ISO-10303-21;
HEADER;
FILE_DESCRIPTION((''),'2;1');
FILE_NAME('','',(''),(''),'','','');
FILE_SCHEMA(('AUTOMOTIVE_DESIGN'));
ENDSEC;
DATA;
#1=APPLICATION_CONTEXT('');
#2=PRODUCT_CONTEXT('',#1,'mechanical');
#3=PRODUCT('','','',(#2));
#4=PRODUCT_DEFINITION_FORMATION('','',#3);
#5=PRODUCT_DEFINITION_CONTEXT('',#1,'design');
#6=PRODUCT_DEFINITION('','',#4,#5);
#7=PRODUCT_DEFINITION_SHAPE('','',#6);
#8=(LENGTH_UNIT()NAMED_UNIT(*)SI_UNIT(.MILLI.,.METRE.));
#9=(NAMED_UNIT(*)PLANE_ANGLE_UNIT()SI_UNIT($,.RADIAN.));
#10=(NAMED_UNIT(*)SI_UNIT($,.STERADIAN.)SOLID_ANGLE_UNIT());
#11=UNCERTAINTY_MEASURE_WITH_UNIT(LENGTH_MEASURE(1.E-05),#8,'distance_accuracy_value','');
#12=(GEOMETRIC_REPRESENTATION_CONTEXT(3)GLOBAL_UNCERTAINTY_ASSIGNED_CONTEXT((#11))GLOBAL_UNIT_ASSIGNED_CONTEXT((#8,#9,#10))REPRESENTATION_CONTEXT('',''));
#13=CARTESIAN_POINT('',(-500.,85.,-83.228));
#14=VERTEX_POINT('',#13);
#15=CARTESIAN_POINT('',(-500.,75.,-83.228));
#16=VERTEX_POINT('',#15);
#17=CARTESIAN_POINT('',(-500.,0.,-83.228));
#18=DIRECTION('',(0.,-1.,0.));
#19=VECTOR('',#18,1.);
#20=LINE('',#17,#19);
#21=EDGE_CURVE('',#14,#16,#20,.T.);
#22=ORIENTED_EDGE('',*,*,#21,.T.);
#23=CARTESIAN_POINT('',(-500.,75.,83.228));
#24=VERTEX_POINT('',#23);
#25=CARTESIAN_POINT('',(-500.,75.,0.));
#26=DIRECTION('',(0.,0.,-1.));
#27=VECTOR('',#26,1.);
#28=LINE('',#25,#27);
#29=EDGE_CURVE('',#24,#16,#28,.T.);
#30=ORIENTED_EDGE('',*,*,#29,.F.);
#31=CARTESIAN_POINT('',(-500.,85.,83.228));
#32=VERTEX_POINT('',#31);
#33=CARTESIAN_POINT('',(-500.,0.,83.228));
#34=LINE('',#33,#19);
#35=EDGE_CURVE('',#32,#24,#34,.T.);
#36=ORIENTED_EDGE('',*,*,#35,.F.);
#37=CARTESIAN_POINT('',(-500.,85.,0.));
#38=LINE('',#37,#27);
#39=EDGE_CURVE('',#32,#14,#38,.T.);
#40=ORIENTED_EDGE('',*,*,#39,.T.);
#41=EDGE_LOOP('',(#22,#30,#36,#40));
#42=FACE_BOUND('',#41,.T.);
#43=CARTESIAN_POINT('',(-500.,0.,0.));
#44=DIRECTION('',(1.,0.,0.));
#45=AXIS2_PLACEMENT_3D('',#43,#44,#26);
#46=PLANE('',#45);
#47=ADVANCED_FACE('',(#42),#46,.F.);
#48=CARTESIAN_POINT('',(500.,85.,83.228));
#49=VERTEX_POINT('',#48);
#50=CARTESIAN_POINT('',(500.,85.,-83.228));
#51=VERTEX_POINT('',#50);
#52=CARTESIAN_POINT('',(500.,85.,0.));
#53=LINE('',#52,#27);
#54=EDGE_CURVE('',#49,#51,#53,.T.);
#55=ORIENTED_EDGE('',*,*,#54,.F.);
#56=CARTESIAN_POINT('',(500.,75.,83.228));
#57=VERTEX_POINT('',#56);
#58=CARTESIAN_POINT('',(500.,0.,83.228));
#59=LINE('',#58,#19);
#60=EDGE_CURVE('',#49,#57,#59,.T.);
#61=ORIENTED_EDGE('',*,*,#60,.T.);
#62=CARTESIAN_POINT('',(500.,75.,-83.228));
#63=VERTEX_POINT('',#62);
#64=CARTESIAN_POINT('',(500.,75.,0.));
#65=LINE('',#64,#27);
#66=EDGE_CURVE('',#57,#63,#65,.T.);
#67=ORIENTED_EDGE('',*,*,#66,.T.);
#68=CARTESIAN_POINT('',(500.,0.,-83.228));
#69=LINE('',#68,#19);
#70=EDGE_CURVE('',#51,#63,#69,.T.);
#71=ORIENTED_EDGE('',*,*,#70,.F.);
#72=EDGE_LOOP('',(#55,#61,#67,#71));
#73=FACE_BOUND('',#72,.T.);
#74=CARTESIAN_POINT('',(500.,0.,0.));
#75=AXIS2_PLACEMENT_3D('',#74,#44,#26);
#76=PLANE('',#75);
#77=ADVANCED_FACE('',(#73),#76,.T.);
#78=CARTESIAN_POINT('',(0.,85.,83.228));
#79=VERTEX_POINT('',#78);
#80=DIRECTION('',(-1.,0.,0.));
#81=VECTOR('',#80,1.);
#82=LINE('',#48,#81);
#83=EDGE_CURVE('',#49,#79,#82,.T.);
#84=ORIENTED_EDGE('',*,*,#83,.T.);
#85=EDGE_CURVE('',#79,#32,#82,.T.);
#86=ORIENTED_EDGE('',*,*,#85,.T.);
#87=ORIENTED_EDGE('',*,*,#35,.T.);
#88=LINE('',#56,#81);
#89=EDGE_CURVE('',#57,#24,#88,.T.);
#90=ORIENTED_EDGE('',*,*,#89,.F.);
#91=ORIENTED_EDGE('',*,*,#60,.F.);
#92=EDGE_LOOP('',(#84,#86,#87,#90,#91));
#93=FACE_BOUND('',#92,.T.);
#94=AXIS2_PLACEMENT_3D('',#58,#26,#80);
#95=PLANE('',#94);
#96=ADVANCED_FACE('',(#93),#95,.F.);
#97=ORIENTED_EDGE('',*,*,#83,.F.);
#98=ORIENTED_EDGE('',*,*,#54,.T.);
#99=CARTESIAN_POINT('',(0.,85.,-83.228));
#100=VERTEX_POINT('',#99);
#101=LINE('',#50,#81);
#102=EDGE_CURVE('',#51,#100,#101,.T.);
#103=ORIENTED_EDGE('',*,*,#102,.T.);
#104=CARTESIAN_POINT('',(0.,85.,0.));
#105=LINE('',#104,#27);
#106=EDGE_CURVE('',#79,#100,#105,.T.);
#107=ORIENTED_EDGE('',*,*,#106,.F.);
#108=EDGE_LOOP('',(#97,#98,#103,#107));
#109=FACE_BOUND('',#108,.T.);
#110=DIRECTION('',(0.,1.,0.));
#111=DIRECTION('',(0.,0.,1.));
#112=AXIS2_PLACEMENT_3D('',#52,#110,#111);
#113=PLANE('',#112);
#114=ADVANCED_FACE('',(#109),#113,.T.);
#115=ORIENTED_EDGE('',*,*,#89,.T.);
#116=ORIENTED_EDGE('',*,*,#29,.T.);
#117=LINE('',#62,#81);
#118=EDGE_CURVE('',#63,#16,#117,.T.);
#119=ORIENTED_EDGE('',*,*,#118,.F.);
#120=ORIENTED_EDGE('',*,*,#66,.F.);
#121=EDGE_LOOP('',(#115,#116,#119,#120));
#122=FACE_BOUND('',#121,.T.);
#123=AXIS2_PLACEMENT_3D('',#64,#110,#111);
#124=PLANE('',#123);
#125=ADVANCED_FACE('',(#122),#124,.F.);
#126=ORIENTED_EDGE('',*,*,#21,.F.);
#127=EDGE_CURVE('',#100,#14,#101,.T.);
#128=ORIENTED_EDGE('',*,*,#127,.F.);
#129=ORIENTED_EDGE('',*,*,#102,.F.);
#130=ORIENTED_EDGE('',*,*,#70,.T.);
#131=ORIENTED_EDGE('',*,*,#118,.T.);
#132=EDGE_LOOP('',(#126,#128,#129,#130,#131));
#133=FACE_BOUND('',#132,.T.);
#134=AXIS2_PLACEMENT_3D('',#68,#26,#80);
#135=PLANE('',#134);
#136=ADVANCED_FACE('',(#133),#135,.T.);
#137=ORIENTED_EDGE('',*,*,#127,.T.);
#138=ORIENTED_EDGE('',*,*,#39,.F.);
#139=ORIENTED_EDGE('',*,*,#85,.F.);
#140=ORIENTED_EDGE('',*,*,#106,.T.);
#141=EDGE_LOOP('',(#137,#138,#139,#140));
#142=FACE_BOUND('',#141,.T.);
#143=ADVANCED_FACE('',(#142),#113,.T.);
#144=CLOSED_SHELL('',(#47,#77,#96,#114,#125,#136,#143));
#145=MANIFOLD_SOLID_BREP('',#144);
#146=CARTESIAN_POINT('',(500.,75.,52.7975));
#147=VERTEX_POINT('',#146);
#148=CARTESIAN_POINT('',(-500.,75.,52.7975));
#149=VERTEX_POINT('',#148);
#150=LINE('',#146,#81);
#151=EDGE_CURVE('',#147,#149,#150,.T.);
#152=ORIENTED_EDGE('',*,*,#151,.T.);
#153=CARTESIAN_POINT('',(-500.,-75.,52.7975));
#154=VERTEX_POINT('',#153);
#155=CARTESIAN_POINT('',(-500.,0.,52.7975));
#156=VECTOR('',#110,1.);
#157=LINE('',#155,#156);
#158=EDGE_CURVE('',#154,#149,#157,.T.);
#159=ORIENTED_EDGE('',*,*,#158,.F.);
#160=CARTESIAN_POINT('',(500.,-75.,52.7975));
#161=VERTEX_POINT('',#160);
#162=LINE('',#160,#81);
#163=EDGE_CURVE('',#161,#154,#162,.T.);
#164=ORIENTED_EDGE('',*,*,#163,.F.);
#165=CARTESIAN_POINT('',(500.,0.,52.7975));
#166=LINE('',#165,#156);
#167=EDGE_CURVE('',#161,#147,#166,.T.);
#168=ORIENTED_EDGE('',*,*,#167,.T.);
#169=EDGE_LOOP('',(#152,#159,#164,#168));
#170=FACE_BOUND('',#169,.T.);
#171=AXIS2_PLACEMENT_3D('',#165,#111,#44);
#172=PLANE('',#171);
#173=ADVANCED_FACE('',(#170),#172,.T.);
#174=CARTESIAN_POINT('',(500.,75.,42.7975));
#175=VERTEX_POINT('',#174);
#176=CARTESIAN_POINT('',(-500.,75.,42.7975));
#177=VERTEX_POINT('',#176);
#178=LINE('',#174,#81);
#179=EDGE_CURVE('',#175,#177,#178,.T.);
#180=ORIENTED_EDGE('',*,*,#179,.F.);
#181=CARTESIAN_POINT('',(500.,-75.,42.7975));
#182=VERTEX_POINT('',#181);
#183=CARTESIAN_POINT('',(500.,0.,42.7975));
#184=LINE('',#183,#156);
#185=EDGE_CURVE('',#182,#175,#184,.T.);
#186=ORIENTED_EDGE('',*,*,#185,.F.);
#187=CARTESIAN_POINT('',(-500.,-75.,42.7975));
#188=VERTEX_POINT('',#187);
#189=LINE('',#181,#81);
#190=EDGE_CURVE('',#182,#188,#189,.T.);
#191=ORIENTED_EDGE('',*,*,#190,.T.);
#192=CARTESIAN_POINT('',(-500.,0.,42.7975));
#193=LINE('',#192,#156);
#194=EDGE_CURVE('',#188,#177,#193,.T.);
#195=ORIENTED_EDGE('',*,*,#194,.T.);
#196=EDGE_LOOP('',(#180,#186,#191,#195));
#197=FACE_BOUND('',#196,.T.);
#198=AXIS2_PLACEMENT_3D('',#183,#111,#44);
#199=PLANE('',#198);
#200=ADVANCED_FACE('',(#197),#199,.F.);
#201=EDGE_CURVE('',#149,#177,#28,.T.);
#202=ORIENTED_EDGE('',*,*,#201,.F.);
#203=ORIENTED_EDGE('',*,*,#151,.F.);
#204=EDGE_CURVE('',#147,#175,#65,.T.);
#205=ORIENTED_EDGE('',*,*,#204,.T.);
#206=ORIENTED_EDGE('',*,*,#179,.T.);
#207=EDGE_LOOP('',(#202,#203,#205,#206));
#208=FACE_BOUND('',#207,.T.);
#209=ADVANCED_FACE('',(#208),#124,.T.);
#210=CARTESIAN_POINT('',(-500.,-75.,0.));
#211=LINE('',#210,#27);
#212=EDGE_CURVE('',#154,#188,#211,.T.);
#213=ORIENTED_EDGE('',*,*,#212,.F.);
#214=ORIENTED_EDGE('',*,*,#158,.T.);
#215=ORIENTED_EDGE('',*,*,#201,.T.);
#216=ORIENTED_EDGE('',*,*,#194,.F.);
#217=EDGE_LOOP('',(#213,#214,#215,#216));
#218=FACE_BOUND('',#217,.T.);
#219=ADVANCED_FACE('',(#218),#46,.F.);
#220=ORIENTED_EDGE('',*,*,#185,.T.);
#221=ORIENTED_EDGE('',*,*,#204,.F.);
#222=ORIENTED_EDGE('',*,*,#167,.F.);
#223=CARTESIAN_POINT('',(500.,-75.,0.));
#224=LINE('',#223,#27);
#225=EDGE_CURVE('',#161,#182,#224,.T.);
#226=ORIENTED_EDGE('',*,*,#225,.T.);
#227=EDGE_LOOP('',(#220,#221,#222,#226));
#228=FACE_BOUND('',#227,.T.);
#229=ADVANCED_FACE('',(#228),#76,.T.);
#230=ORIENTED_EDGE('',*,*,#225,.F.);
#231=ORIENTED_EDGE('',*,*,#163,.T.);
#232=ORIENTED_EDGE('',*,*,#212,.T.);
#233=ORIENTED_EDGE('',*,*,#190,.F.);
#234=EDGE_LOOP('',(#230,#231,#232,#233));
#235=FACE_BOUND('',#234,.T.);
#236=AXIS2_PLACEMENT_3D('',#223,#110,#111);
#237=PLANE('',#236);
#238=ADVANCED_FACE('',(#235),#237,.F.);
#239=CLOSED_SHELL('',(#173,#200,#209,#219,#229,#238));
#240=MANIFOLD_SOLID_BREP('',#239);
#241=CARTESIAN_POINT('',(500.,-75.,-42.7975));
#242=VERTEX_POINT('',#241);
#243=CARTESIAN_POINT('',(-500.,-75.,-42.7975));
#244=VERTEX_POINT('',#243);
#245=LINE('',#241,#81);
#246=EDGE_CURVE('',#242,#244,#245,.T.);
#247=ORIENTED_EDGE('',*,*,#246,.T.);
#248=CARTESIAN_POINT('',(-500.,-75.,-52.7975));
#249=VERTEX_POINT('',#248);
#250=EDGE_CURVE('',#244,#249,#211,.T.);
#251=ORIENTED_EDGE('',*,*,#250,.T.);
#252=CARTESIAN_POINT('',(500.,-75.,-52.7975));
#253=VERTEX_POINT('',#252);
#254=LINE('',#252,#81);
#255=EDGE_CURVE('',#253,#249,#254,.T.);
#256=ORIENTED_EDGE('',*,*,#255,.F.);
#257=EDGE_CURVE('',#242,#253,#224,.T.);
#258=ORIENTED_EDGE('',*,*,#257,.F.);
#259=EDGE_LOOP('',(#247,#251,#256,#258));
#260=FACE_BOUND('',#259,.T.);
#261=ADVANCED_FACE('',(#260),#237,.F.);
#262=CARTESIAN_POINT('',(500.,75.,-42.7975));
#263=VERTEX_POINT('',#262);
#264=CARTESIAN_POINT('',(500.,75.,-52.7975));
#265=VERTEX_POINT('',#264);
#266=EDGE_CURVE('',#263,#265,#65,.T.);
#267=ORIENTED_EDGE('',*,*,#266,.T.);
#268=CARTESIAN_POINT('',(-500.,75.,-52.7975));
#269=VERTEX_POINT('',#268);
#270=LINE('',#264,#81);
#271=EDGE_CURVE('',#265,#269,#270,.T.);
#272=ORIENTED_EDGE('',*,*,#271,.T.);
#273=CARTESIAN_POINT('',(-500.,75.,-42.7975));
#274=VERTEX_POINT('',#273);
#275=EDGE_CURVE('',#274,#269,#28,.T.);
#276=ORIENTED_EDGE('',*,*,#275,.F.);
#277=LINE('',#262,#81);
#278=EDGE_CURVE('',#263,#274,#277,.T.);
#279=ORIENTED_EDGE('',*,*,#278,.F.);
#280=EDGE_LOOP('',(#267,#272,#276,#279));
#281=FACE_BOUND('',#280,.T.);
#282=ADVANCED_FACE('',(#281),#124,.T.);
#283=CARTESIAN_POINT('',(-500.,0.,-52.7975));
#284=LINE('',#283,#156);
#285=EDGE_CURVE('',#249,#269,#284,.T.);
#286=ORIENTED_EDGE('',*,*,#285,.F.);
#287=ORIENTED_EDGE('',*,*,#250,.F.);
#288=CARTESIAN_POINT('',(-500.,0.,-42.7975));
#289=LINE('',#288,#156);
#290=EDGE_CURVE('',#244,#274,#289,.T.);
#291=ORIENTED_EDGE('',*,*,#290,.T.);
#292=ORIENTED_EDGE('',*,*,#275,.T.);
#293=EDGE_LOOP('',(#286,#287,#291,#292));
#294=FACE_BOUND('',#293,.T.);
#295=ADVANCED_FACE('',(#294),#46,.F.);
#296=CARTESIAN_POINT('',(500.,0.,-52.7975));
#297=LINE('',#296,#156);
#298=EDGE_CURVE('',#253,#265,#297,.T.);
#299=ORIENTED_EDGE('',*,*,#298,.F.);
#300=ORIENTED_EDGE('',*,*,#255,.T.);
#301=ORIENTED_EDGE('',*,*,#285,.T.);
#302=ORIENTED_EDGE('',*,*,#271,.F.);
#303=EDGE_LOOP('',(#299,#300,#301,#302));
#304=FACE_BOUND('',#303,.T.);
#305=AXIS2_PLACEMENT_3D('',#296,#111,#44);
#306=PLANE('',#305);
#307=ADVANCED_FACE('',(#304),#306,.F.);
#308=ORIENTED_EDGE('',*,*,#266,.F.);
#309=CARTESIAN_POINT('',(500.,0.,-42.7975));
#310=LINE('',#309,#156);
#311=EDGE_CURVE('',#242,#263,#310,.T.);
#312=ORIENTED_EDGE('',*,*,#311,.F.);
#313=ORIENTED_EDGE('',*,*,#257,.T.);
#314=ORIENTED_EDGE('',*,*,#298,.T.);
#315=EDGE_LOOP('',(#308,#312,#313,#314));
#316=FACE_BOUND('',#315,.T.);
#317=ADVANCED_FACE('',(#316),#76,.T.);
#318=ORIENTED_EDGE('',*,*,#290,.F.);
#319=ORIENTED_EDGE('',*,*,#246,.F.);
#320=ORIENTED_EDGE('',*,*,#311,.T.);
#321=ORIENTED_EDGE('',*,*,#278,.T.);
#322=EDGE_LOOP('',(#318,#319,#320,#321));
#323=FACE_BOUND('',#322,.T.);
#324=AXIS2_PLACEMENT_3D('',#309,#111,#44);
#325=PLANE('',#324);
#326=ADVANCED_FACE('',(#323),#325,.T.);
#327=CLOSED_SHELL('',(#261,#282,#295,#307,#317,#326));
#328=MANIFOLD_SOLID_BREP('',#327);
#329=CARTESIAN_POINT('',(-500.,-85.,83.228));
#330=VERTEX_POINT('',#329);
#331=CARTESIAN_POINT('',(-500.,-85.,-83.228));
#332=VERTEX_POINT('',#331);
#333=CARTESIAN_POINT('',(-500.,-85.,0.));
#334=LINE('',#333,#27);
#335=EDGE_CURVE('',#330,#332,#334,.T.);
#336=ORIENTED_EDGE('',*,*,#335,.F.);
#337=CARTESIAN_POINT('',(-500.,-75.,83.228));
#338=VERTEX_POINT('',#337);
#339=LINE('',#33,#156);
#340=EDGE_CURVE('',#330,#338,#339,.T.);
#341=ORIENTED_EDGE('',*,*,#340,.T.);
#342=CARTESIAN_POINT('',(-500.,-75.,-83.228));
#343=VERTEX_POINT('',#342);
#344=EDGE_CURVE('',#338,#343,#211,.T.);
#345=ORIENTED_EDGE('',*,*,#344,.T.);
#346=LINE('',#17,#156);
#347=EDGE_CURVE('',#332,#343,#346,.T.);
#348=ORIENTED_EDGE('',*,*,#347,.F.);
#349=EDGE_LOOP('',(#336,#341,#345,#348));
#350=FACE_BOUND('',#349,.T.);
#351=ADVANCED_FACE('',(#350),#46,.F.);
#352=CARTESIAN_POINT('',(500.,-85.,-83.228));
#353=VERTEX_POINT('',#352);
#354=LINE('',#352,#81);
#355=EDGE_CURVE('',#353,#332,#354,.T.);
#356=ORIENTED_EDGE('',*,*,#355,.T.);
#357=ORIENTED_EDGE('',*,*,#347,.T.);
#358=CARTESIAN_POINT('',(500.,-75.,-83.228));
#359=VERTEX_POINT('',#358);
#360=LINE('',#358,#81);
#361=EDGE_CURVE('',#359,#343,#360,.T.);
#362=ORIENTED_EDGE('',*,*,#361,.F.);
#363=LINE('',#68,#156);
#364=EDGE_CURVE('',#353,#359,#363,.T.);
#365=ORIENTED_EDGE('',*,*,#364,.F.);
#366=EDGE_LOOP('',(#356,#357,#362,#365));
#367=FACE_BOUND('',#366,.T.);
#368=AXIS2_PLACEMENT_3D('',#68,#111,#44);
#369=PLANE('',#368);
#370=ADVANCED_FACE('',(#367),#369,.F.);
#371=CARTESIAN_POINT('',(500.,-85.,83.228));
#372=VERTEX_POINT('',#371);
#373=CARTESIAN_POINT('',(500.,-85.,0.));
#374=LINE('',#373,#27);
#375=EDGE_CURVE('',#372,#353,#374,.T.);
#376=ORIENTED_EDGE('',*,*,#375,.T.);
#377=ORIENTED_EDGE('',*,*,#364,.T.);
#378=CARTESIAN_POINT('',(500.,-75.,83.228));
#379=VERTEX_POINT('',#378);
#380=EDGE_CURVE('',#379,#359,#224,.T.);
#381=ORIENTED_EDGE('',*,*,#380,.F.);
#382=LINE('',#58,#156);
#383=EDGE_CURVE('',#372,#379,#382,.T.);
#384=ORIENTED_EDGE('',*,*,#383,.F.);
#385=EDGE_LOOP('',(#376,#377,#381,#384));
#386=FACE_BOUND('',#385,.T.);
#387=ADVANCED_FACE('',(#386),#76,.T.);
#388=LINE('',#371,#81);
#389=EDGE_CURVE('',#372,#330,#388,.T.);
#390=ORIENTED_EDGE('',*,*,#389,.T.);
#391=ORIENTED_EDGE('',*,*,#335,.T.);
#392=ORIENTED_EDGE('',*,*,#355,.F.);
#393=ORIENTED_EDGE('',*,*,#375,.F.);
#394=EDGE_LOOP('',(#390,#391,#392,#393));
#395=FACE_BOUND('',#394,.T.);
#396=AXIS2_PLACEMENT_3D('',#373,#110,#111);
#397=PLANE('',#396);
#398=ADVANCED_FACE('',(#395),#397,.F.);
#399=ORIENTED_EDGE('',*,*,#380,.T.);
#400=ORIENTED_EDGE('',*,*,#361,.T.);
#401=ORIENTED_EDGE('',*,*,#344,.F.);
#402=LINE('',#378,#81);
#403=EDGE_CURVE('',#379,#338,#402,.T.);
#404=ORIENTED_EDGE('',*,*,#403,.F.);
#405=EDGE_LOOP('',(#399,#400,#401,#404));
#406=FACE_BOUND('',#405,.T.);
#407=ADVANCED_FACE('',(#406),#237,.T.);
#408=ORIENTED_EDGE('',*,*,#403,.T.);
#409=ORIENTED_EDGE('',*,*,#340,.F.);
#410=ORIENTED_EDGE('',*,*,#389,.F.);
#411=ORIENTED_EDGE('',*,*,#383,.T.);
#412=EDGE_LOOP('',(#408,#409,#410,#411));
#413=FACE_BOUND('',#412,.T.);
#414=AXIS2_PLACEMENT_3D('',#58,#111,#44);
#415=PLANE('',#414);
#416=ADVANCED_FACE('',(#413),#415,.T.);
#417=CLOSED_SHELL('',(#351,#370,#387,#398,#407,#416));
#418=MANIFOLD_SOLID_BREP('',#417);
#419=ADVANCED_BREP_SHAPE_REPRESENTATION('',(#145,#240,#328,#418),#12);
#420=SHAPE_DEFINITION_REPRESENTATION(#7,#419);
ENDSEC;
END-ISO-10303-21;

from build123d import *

# Parameters (mm, degrees)
SKETCH_1_W        = 166.456
SKETCH_1_H        = 10
EXTRUDE_1_DEPTH   = 500
EXTRUDE_1_2_DEPTH = 500
SKETCH_1_3_W      = 10
SKETCH_1_3_H      = 150
EXTRUDE_2_DEPTH   = 500
EXTRUDE_2_2_DEPTH = 500


with BuildPart() as part:
    # 草图1 → 凸台-拉伸1 (new, symmetric)
    with BuildSketch(Plane(origin=(0, 0, 0), x_dir=(0, 0, -1), z_dir=(1, 0, 0))):
        with Locations((0, 80)):
            Rectangle(SKETCH_1_W, SKETCH_1_H)
    extrude(amount=EXTRUDE_1_DEPTH, both=True)


with BuildPart() as body_2:
    # 草图1 → Extrude 1 2 (new, symmetric)
    with BuildSketch(Plane(origin=(0, 0, 0), x_dir=(0, 0, -1), z_dir=(1, 0, 0))):
        with Locations((0, -80)):
            Rectangle(SKETCH_1_W, SKETCH_1_H)
    extrude(amount=EXTRUDE_1_2_DEPTH, both=True)


with BuildPart() as body_3:
    # 草图1<3> → 凸台-拉伸2 (new, symmetric)
    with BuildSketch(Plane(origin=(0, 0, 0), x_dir=(0, 0, -1), z_dir=(1, 0, 0))):
        with Locations((-47.7975, 0)):
            Rectangle(SKETCH_1_3_W, SKETCH_1_3_H)
    extrude(amount=EXTRUDE_2_DEPTH, both=True)


with BuildPart() as body_4:
    # 草图1<3> → Extrude 2 2 (new, symmetric)
    with BuildSketch(Plane(origin=(0, 0, 0), x_dir=(0, 0, -1), z_dir=(1, 0, 0))):
        with Locations((47.7975, 0)):
            Rectangle(SKETCH_1_3_W, SKETCH_1_3_H)
    extrude(amount=EXTRUDE_2_2_DEPTH, both=True)


solid = Compound([part.part, body_2.part, body_3.part, body_4.part])
